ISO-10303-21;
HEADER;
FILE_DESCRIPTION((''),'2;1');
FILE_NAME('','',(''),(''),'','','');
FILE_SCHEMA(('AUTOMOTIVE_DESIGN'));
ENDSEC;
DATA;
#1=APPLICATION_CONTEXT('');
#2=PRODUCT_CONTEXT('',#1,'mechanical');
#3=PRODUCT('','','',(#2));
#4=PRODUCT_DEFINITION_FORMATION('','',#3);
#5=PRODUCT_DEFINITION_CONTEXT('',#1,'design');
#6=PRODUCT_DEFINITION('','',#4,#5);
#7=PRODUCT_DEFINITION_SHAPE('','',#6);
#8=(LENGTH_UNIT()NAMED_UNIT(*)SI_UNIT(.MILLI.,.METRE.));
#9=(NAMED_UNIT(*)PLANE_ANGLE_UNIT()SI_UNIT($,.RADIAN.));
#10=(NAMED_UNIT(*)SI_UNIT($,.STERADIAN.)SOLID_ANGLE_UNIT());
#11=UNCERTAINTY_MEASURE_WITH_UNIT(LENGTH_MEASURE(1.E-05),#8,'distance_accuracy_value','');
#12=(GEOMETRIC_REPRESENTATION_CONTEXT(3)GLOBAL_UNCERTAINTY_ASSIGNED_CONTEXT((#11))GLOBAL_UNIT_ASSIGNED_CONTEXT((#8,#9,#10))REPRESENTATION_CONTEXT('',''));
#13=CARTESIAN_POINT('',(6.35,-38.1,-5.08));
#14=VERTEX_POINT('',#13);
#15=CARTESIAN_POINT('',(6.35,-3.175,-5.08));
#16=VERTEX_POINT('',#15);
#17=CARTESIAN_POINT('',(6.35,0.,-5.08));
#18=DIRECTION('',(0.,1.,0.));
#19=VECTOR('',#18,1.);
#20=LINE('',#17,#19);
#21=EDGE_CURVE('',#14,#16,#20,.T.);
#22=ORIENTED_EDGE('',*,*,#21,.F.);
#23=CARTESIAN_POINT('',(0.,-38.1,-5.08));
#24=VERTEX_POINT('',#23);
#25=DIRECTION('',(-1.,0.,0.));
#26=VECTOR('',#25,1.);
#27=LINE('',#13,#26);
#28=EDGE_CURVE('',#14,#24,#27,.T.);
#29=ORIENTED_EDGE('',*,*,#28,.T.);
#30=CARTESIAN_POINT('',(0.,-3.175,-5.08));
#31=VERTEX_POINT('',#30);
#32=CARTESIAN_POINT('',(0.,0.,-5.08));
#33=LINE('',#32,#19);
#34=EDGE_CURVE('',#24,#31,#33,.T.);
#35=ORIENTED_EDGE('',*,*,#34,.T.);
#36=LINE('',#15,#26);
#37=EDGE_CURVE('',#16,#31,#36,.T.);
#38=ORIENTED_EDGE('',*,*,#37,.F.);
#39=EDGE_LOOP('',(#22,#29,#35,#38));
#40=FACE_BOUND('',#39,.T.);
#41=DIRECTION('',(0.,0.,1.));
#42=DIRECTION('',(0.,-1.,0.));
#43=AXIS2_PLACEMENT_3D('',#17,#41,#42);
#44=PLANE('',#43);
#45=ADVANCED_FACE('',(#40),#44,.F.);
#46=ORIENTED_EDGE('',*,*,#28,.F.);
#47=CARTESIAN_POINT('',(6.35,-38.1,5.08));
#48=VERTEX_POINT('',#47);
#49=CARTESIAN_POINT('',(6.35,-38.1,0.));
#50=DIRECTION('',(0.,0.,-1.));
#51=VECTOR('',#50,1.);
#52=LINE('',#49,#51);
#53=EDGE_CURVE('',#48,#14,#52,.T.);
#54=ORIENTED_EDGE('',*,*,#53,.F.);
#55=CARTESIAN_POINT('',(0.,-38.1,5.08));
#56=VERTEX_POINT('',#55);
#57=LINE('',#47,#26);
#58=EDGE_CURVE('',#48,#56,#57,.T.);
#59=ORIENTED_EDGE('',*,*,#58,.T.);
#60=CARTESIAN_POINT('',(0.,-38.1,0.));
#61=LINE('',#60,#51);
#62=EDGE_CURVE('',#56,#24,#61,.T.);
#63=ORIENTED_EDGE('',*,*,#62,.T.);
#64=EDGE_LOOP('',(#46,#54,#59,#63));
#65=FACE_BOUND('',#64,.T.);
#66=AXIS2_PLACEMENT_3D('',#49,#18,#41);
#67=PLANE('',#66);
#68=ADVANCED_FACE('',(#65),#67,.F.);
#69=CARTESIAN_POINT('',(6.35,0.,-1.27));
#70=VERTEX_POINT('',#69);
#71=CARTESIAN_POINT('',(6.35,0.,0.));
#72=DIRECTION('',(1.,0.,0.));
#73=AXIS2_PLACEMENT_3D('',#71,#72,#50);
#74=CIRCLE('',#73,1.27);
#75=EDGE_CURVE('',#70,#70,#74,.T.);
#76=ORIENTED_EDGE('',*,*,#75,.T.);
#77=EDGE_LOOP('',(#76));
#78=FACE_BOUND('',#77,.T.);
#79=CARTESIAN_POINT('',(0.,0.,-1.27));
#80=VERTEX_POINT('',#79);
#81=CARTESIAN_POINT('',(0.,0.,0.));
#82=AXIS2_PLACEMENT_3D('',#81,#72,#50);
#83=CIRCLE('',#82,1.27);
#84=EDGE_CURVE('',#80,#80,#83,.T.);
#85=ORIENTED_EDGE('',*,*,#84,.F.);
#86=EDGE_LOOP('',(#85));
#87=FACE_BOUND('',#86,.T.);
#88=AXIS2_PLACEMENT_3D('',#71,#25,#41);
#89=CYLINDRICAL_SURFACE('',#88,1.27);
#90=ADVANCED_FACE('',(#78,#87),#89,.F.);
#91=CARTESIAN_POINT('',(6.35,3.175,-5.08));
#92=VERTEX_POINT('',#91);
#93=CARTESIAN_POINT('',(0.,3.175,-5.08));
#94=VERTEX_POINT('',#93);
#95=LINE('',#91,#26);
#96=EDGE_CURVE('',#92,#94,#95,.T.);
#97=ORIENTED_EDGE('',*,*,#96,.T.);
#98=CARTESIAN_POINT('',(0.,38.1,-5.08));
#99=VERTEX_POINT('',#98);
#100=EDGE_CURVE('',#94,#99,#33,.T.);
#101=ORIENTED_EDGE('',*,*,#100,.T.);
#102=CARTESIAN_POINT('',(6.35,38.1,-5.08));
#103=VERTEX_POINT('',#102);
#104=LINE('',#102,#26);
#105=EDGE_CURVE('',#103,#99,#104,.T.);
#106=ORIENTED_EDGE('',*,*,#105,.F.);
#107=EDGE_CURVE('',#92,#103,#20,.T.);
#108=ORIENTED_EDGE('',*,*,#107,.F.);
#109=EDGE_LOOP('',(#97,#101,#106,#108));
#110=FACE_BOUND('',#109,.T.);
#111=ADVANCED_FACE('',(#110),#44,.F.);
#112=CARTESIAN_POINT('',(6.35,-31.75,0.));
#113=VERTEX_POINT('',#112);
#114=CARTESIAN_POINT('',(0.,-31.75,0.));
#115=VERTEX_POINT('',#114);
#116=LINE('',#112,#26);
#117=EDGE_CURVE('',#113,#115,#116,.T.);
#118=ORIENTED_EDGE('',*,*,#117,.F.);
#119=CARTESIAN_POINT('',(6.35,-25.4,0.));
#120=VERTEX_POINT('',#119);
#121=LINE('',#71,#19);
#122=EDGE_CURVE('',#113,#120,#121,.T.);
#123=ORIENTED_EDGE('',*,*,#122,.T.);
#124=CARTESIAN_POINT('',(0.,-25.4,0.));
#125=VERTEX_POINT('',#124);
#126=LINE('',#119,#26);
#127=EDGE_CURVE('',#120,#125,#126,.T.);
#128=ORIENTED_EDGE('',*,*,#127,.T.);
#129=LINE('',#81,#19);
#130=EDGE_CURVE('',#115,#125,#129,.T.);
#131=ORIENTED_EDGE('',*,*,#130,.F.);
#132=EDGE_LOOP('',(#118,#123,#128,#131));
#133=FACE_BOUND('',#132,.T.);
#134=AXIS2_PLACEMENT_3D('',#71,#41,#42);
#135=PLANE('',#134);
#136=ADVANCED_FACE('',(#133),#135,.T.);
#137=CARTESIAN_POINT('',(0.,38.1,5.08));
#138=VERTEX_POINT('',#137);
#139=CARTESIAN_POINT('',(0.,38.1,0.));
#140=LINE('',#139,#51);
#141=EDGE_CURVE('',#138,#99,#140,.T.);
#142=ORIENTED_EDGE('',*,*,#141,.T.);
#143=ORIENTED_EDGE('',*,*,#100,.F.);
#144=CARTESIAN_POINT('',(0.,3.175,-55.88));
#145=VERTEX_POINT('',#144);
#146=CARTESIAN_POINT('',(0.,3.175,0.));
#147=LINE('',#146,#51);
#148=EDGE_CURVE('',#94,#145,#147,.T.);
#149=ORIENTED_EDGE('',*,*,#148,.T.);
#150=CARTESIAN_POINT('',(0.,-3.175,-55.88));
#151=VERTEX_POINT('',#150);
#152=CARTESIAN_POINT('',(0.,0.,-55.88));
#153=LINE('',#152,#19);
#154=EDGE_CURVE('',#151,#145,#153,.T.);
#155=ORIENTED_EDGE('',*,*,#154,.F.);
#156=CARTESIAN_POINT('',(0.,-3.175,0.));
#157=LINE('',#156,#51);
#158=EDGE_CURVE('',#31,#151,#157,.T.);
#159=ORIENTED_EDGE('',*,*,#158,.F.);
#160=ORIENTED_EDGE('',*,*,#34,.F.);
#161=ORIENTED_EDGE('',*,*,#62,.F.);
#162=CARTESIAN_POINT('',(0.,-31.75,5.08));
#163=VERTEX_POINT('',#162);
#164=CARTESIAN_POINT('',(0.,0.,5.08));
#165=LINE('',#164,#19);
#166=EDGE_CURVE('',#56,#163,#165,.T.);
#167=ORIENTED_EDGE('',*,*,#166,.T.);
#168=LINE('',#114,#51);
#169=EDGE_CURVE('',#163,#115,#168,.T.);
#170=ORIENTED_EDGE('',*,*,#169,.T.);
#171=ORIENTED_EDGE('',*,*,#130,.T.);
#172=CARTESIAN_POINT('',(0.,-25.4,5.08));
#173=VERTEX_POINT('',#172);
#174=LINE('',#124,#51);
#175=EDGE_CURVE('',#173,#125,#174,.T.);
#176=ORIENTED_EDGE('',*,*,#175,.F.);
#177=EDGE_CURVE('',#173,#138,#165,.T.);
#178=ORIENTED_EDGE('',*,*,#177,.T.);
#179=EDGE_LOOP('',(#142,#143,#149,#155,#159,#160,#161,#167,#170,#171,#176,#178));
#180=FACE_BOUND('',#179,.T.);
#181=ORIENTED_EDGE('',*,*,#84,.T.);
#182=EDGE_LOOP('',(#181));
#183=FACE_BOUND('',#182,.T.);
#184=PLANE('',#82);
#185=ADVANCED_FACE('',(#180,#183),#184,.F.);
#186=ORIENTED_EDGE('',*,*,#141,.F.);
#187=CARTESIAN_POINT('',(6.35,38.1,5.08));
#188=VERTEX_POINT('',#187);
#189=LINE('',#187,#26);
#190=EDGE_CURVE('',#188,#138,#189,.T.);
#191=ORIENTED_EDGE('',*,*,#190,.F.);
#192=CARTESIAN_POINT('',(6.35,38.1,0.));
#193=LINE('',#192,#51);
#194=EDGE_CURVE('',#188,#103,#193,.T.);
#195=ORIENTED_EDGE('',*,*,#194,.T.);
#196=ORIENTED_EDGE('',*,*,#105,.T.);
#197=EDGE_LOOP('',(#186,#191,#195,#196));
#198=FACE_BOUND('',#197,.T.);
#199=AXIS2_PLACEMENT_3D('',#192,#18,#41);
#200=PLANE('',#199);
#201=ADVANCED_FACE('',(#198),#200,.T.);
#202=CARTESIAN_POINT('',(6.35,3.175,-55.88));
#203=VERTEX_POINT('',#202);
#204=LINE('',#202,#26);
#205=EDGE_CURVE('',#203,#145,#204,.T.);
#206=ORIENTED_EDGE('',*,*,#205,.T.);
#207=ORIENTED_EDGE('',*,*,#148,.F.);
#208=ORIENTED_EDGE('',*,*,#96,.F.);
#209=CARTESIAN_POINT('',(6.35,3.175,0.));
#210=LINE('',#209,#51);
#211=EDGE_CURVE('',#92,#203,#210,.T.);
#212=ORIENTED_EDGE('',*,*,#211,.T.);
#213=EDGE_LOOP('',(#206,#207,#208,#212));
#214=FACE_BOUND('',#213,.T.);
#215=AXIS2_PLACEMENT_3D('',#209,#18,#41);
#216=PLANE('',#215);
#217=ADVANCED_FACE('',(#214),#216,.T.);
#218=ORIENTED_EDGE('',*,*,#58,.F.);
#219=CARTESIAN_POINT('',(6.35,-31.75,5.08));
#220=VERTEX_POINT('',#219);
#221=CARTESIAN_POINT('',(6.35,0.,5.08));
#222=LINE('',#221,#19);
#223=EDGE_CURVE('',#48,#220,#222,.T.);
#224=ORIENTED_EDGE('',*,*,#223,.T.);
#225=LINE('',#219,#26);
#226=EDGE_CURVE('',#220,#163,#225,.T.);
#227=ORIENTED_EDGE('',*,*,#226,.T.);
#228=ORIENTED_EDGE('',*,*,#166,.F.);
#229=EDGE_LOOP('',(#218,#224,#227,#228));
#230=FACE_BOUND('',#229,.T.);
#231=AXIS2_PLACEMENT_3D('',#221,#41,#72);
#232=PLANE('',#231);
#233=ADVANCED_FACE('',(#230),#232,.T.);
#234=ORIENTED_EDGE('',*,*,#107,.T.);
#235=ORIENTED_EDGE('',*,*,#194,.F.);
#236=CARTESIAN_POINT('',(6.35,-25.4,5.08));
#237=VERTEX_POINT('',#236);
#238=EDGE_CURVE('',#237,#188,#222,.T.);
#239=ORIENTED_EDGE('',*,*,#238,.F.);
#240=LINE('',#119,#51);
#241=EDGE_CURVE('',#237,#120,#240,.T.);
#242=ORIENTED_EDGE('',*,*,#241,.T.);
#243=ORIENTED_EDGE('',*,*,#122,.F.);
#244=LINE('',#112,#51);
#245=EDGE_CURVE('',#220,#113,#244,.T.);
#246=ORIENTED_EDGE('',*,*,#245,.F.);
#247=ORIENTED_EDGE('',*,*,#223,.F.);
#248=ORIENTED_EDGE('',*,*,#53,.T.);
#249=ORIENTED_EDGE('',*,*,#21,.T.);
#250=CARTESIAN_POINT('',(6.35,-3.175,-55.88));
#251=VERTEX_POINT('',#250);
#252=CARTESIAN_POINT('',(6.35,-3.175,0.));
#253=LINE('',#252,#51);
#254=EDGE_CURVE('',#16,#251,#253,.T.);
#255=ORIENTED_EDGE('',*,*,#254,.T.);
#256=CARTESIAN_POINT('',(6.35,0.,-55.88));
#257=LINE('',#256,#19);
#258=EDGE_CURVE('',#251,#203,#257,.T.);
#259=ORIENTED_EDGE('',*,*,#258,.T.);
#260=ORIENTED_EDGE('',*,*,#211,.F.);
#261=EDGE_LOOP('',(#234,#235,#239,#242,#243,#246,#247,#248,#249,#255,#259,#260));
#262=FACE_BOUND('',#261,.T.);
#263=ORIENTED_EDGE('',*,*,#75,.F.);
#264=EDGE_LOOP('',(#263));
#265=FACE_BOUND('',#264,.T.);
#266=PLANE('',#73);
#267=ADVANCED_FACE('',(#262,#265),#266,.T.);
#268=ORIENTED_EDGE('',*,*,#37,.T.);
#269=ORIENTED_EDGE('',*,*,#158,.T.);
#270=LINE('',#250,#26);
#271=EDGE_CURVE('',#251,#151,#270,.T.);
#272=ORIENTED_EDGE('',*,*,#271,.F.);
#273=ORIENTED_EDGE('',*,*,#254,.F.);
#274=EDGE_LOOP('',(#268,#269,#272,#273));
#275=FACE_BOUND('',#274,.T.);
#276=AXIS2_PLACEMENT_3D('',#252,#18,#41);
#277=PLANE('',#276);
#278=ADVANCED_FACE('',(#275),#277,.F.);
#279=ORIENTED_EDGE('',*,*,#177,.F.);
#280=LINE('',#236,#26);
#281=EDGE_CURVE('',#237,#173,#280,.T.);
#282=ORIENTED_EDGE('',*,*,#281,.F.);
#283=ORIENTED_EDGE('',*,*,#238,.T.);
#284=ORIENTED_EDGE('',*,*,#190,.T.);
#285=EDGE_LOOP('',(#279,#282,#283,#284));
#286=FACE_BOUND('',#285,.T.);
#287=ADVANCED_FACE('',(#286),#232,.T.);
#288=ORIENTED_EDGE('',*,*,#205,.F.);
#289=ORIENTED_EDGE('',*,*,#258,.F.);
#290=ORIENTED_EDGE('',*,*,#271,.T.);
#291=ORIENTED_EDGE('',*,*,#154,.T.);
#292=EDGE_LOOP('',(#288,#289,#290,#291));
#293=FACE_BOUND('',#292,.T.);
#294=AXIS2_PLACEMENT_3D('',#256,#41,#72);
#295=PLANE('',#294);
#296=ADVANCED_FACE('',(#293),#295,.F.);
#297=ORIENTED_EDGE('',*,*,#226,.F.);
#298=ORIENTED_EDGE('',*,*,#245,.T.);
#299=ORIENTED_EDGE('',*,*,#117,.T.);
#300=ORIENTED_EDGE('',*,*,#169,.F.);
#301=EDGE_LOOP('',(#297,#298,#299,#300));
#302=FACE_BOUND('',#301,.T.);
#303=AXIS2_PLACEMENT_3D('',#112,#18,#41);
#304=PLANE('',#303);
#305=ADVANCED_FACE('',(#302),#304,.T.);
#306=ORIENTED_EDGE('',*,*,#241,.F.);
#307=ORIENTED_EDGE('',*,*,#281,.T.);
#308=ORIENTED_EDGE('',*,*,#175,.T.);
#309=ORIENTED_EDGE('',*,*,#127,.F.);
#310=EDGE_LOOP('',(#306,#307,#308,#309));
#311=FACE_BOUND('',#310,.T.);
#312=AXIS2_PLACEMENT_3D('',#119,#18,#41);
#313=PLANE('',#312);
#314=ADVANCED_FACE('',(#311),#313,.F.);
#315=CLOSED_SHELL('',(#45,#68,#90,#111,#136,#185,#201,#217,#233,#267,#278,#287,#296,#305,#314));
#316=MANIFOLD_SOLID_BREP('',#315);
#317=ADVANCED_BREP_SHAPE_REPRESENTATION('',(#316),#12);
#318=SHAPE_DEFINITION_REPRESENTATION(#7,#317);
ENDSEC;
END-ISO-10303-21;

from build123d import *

# Parameters (mm, degrees)
ELEVATOR_PADDLE_R   = 1.27
BOSS_EXTRUDE1_DEPTH = 6.35


with BuildPart() as part:
    # Elevator Paddle → Boss-Extrude1 (new body)
    with BuildSketch(Plane(origin=(0, 0, 0), x_dir=(0, 0, -1), z_dir=(1, 0, 0))):
        Polygon((-5.08, -25.4), (-5.08, 38.1), (5.08, 38.1), (5.08, 3.175), (55.88, 3.175), (55.88, -3.175), (5.08, -3.175), (5.08, -38.1), (-5.08, -38.1), (-5.08, -31.75), (0, -31.75), (0, -25.4), align=None)
        Circle(ELEVATOR_PADDLE_R, mode=Mode.SUBTRACT)
    extrude(amount=BOSS_EXTRUDE1_DEPTH)


solid = part.part
